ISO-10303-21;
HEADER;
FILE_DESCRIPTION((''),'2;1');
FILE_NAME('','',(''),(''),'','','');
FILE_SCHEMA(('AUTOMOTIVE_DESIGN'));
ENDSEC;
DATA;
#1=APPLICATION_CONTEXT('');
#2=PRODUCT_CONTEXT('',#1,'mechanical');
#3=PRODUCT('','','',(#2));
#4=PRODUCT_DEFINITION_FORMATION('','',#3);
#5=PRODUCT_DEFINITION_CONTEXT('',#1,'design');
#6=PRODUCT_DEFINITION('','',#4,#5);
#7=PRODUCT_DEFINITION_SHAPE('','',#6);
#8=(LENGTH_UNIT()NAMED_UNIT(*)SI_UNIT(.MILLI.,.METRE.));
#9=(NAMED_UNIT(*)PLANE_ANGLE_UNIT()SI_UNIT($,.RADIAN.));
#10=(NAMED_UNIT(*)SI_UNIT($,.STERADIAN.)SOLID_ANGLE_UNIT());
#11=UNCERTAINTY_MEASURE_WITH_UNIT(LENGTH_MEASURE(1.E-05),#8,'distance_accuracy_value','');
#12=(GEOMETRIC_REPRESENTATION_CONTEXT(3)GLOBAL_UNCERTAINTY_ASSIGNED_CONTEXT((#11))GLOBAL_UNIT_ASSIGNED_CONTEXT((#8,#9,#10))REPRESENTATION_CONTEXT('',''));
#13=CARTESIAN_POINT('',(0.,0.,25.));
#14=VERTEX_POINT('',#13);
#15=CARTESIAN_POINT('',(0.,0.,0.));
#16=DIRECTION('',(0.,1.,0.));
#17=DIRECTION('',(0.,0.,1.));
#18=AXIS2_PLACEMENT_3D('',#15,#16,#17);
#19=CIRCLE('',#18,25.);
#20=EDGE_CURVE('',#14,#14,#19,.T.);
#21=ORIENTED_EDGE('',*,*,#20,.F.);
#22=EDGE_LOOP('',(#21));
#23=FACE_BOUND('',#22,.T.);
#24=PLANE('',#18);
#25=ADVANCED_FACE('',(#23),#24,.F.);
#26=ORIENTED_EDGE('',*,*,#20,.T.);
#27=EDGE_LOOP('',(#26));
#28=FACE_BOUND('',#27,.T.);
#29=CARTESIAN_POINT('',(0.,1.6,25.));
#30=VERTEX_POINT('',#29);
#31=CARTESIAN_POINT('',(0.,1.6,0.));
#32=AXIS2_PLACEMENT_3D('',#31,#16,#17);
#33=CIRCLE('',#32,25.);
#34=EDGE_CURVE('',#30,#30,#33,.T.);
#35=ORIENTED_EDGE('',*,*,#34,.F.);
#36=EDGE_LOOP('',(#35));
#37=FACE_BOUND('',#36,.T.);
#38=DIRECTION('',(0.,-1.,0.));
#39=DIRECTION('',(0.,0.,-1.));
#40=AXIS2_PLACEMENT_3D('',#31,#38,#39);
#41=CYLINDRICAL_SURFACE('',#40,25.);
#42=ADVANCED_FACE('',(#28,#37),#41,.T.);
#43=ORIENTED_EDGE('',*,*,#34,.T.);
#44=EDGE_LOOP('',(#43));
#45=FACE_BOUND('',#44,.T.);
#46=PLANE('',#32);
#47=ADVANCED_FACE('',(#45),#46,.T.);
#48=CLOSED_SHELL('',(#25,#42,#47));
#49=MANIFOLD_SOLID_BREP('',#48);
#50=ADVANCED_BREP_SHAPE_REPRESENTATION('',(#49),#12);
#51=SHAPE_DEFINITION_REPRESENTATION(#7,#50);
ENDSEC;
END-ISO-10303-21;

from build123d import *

# Parameters (mm, degrees)
SKETCH1_R           = 25
BOSS_EXTRUDE1_DEPTH = 1.6


with BuildPart() as part:
    # Sketch1 → Boss-Extrude1 (new body)
    with BuildSketch(Plane(origin=(0, 0, 0), x_dir=(1, 0, 0), z_dir=(0, 1, 0))):
        with Locations(Location((0, 0, 0), (0, 0, 270))):
            Circle(SKETCH1_R)
    extrude(amount=BOSS_EXTRUDE1_DEPTH)


solid = part.part
